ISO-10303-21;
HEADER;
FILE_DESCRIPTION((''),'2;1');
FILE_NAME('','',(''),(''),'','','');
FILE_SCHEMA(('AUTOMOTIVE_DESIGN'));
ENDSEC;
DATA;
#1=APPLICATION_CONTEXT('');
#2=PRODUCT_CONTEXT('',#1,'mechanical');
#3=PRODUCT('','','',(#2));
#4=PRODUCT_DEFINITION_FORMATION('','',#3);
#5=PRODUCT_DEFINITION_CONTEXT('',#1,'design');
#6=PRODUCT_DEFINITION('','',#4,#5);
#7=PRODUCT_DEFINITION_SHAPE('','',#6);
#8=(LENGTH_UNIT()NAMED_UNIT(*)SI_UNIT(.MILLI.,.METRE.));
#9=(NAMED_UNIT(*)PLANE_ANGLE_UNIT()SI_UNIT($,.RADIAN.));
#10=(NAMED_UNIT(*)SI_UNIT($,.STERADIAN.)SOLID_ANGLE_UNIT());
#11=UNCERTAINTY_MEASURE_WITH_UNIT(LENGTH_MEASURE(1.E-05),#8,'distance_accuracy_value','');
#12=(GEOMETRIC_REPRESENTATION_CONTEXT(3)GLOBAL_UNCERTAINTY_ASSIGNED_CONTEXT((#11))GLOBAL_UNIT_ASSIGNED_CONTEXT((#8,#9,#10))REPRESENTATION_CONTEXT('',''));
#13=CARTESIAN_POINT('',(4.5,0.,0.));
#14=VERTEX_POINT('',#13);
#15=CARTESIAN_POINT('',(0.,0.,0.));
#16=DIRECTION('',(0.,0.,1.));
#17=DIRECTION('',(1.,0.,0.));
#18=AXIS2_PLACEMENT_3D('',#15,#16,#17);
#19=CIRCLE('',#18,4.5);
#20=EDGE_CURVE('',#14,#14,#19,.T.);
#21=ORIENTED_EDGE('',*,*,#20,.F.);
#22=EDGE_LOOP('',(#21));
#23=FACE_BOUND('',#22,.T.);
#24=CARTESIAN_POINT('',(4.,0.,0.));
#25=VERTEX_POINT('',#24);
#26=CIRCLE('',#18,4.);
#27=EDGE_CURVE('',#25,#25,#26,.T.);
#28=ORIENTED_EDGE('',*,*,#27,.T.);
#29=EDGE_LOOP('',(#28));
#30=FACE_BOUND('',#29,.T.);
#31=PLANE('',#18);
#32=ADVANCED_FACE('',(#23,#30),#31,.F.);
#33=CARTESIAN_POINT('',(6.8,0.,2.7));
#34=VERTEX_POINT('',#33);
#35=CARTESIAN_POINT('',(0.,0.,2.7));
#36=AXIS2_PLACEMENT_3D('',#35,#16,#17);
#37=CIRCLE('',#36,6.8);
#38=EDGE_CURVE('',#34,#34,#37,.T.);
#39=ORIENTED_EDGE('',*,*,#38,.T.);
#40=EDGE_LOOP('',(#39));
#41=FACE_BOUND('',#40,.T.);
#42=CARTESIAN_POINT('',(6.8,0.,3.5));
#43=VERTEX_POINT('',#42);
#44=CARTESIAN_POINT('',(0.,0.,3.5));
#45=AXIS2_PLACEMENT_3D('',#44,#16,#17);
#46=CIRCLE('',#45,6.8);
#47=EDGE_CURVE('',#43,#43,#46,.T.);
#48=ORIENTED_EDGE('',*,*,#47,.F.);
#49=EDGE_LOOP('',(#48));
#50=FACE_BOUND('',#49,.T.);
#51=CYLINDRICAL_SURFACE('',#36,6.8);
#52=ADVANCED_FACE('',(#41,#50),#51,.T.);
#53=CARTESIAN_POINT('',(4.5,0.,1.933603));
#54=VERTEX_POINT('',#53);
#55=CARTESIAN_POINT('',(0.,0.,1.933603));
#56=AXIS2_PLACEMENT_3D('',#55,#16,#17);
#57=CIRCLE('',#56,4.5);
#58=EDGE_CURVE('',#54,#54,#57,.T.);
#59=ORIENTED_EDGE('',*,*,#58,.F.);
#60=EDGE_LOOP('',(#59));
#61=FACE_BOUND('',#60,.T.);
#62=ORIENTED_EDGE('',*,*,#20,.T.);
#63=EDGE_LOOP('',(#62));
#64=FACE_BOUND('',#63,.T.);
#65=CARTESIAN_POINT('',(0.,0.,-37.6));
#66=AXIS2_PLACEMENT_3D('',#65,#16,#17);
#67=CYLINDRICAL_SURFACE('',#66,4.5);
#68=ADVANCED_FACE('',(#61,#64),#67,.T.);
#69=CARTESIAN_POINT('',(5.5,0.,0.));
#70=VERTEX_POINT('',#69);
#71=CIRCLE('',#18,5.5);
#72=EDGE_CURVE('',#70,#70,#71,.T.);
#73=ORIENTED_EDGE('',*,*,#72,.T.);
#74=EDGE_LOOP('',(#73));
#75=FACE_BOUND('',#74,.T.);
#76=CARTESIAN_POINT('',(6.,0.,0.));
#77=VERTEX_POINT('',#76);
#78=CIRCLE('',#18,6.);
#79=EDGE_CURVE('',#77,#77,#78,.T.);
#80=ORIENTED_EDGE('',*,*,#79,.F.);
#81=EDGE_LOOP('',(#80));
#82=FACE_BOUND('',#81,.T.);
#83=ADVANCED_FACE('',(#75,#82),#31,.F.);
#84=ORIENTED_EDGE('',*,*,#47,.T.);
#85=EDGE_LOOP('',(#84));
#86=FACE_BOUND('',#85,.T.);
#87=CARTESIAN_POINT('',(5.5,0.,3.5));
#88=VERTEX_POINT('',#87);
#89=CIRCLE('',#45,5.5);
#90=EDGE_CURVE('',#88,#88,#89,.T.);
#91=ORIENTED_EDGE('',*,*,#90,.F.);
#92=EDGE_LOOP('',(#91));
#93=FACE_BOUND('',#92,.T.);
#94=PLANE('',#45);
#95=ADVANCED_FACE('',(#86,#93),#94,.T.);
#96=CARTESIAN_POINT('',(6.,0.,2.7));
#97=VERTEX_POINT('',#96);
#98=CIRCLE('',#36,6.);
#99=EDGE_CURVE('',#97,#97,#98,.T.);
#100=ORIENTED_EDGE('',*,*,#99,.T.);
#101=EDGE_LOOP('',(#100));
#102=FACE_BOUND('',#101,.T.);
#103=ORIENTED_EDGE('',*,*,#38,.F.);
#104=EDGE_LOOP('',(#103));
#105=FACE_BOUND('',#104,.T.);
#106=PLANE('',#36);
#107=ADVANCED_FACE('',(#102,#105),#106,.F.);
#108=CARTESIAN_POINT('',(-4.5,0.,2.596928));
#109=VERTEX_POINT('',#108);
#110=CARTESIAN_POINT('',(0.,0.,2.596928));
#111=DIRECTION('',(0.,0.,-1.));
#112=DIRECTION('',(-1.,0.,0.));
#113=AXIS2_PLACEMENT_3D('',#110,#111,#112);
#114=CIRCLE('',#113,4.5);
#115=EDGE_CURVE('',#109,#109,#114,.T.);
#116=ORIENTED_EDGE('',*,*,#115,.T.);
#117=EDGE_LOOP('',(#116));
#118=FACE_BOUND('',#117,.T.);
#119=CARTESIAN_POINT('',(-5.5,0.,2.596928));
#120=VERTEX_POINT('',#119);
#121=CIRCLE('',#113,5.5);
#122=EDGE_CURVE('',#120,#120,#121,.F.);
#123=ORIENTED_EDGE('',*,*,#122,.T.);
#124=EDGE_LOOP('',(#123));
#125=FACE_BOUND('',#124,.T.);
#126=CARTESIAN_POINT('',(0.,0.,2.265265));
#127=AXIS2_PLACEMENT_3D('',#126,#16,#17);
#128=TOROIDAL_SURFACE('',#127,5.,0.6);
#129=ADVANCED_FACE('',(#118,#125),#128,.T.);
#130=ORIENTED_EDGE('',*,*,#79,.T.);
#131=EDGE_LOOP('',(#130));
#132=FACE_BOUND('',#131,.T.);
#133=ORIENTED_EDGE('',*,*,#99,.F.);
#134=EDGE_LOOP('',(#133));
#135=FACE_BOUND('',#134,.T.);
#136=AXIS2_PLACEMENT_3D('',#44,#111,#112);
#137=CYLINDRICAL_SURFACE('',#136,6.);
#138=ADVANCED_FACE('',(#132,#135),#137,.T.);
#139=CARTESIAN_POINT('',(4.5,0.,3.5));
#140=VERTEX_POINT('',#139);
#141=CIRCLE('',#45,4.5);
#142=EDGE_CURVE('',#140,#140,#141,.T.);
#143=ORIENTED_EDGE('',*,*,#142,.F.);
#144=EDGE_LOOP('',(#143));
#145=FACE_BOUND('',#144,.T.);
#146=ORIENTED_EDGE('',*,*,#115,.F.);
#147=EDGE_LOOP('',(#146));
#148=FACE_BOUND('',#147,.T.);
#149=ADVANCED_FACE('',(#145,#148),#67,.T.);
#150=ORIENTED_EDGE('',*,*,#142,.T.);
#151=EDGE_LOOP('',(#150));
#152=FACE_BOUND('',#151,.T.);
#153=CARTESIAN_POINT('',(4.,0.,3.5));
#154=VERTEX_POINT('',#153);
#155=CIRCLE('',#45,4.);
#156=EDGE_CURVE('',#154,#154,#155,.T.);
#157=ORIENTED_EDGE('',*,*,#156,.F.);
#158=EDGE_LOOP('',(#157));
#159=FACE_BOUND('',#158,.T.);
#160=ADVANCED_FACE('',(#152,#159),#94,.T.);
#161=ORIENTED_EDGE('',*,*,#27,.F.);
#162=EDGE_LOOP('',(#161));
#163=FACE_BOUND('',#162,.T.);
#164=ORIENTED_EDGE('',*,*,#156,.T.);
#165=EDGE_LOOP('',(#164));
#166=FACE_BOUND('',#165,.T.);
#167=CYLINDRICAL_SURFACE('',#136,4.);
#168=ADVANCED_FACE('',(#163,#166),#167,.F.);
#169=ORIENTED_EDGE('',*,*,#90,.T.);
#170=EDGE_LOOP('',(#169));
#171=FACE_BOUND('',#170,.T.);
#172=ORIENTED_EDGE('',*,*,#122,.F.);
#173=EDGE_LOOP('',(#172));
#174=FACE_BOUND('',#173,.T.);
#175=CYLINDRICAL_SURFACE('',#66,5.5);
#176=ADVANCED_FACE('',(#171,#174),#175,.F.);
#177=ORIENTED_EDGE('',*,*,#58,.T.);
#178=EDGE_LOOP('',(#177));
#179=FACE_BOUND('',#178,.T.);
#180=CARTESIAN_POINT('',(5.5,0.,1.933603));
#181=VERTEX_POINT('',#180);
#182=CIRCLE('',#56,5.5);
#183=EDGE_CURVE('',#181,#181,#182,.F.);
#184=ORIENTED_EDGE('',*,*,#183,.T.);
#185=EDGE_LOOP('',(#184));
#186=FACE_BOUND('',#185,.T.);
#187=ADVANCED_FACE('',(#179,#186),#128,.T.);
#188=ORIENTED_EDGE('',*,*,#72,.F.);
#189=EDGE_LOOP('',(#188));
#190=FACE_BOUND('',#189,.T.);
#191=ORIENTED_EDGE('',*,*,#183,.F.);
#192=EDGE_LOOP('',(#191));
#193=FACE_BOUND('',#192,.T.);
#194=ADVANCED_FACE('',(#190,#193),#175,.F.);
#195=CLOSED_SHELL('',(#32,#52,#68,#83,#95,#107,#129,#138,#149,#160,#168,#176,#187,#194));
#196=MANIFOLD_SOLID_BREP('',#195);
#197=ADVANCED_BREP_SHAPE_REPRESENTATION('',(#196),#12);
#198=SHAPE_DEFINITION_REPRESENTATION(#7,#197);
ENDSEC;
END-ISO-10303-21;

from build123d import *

# Parameters (mm, degrees)
SKETCH1_R           = 6
SKETCH1_R_2         = 4
BOSS_EXTRUDE1_DEPTH = 3.5
SKETCH4_R           = 5.5
SKETCH4_R_2         = 4.5
CUT_EXTRUDE1_DEPTH  = 41.1
SKETCH6_R           = 0.6
SKETCH8_R           = 6.8
SKETCH8_R_2         = 6
BOSS_EXTRUDE3_DEPTH = 0.8


with BuildPart() as part:
    # Sketch1 → Boss-Extrude1 (new body)
    with BuildSketch(Plane.XY):
        Circle(SKETCH1_R)
        Circle(SKETCH1_R_2, mode=Mode.SUBTRACT)
    extrude(amount=BOSS_EXTRUDE1_DEPTH)

    # Sketch4 → Cut-Extrude1 (cut)
    with BuildSketch(Plane.XY.offset(3.5)):
        Circle(SKETCH4_R)
        Circle(SKETCH4_R_2, mode=Mode.SUBTRACT)
    extrude(amount=-CUT_EXTRUDE1_DEPTH, mode=Mode.SUBTRACT)


with BuildPart() as cut_extrude1_piece_1:
    # of the separate pieces the step leaves, piece 1, a body of its own (cut_extrude1_pieces)
    add(part.part.solids().sort_by_distance((6, 0, 0))[0])



with BuildPart() as cut_extrude1_piece_2:
    # of the separate pieces the step leaves, piece 2, a body of its own (cut_extrude1_pieces)
    add(part.part.solids().sort_by_distance((4.5, 0, 0))[0])


with BuildPart() as cut_extrude1_piece_1_1:
    add(cut_extrude1_piece_1.part)

    add(cut_extrude1_piece_2.part)  # Revolve1 merges Cut-Extrude1 piece 2
    # Sketch6 → Revolve1 (revolve)
    with BuildSketch(Plane(origin=(0, 0, 0), x_dir=(1, 0, 0), z_dir=(0, 1, 0)), mode=Mode.PRIVATE) as revolve1_sk:
        with Locations((-5, -2.265265141)):
            Circle(SKETCH6_R)
    revolve(revolve1_sk.sketch.rotate(Axis((0, 0, 3.5), (0, 0, -1)), 180), axis=Axis((0, 0, 3.5), (0, 0, -1)))

    # Sketch8 → Boss-Extrude3 (add)
    with BuildSketch(Plane.XY.offset(3.5)):
        Circle(SKETCH8_R)
        Circle(SKETCH8_R_2, mode=Mode.SUBTRACT)
    extrude(amount=-BOSS_EXTRUDE3_DEPTH)


solid = cut_extrude1_piece_1_1.part
